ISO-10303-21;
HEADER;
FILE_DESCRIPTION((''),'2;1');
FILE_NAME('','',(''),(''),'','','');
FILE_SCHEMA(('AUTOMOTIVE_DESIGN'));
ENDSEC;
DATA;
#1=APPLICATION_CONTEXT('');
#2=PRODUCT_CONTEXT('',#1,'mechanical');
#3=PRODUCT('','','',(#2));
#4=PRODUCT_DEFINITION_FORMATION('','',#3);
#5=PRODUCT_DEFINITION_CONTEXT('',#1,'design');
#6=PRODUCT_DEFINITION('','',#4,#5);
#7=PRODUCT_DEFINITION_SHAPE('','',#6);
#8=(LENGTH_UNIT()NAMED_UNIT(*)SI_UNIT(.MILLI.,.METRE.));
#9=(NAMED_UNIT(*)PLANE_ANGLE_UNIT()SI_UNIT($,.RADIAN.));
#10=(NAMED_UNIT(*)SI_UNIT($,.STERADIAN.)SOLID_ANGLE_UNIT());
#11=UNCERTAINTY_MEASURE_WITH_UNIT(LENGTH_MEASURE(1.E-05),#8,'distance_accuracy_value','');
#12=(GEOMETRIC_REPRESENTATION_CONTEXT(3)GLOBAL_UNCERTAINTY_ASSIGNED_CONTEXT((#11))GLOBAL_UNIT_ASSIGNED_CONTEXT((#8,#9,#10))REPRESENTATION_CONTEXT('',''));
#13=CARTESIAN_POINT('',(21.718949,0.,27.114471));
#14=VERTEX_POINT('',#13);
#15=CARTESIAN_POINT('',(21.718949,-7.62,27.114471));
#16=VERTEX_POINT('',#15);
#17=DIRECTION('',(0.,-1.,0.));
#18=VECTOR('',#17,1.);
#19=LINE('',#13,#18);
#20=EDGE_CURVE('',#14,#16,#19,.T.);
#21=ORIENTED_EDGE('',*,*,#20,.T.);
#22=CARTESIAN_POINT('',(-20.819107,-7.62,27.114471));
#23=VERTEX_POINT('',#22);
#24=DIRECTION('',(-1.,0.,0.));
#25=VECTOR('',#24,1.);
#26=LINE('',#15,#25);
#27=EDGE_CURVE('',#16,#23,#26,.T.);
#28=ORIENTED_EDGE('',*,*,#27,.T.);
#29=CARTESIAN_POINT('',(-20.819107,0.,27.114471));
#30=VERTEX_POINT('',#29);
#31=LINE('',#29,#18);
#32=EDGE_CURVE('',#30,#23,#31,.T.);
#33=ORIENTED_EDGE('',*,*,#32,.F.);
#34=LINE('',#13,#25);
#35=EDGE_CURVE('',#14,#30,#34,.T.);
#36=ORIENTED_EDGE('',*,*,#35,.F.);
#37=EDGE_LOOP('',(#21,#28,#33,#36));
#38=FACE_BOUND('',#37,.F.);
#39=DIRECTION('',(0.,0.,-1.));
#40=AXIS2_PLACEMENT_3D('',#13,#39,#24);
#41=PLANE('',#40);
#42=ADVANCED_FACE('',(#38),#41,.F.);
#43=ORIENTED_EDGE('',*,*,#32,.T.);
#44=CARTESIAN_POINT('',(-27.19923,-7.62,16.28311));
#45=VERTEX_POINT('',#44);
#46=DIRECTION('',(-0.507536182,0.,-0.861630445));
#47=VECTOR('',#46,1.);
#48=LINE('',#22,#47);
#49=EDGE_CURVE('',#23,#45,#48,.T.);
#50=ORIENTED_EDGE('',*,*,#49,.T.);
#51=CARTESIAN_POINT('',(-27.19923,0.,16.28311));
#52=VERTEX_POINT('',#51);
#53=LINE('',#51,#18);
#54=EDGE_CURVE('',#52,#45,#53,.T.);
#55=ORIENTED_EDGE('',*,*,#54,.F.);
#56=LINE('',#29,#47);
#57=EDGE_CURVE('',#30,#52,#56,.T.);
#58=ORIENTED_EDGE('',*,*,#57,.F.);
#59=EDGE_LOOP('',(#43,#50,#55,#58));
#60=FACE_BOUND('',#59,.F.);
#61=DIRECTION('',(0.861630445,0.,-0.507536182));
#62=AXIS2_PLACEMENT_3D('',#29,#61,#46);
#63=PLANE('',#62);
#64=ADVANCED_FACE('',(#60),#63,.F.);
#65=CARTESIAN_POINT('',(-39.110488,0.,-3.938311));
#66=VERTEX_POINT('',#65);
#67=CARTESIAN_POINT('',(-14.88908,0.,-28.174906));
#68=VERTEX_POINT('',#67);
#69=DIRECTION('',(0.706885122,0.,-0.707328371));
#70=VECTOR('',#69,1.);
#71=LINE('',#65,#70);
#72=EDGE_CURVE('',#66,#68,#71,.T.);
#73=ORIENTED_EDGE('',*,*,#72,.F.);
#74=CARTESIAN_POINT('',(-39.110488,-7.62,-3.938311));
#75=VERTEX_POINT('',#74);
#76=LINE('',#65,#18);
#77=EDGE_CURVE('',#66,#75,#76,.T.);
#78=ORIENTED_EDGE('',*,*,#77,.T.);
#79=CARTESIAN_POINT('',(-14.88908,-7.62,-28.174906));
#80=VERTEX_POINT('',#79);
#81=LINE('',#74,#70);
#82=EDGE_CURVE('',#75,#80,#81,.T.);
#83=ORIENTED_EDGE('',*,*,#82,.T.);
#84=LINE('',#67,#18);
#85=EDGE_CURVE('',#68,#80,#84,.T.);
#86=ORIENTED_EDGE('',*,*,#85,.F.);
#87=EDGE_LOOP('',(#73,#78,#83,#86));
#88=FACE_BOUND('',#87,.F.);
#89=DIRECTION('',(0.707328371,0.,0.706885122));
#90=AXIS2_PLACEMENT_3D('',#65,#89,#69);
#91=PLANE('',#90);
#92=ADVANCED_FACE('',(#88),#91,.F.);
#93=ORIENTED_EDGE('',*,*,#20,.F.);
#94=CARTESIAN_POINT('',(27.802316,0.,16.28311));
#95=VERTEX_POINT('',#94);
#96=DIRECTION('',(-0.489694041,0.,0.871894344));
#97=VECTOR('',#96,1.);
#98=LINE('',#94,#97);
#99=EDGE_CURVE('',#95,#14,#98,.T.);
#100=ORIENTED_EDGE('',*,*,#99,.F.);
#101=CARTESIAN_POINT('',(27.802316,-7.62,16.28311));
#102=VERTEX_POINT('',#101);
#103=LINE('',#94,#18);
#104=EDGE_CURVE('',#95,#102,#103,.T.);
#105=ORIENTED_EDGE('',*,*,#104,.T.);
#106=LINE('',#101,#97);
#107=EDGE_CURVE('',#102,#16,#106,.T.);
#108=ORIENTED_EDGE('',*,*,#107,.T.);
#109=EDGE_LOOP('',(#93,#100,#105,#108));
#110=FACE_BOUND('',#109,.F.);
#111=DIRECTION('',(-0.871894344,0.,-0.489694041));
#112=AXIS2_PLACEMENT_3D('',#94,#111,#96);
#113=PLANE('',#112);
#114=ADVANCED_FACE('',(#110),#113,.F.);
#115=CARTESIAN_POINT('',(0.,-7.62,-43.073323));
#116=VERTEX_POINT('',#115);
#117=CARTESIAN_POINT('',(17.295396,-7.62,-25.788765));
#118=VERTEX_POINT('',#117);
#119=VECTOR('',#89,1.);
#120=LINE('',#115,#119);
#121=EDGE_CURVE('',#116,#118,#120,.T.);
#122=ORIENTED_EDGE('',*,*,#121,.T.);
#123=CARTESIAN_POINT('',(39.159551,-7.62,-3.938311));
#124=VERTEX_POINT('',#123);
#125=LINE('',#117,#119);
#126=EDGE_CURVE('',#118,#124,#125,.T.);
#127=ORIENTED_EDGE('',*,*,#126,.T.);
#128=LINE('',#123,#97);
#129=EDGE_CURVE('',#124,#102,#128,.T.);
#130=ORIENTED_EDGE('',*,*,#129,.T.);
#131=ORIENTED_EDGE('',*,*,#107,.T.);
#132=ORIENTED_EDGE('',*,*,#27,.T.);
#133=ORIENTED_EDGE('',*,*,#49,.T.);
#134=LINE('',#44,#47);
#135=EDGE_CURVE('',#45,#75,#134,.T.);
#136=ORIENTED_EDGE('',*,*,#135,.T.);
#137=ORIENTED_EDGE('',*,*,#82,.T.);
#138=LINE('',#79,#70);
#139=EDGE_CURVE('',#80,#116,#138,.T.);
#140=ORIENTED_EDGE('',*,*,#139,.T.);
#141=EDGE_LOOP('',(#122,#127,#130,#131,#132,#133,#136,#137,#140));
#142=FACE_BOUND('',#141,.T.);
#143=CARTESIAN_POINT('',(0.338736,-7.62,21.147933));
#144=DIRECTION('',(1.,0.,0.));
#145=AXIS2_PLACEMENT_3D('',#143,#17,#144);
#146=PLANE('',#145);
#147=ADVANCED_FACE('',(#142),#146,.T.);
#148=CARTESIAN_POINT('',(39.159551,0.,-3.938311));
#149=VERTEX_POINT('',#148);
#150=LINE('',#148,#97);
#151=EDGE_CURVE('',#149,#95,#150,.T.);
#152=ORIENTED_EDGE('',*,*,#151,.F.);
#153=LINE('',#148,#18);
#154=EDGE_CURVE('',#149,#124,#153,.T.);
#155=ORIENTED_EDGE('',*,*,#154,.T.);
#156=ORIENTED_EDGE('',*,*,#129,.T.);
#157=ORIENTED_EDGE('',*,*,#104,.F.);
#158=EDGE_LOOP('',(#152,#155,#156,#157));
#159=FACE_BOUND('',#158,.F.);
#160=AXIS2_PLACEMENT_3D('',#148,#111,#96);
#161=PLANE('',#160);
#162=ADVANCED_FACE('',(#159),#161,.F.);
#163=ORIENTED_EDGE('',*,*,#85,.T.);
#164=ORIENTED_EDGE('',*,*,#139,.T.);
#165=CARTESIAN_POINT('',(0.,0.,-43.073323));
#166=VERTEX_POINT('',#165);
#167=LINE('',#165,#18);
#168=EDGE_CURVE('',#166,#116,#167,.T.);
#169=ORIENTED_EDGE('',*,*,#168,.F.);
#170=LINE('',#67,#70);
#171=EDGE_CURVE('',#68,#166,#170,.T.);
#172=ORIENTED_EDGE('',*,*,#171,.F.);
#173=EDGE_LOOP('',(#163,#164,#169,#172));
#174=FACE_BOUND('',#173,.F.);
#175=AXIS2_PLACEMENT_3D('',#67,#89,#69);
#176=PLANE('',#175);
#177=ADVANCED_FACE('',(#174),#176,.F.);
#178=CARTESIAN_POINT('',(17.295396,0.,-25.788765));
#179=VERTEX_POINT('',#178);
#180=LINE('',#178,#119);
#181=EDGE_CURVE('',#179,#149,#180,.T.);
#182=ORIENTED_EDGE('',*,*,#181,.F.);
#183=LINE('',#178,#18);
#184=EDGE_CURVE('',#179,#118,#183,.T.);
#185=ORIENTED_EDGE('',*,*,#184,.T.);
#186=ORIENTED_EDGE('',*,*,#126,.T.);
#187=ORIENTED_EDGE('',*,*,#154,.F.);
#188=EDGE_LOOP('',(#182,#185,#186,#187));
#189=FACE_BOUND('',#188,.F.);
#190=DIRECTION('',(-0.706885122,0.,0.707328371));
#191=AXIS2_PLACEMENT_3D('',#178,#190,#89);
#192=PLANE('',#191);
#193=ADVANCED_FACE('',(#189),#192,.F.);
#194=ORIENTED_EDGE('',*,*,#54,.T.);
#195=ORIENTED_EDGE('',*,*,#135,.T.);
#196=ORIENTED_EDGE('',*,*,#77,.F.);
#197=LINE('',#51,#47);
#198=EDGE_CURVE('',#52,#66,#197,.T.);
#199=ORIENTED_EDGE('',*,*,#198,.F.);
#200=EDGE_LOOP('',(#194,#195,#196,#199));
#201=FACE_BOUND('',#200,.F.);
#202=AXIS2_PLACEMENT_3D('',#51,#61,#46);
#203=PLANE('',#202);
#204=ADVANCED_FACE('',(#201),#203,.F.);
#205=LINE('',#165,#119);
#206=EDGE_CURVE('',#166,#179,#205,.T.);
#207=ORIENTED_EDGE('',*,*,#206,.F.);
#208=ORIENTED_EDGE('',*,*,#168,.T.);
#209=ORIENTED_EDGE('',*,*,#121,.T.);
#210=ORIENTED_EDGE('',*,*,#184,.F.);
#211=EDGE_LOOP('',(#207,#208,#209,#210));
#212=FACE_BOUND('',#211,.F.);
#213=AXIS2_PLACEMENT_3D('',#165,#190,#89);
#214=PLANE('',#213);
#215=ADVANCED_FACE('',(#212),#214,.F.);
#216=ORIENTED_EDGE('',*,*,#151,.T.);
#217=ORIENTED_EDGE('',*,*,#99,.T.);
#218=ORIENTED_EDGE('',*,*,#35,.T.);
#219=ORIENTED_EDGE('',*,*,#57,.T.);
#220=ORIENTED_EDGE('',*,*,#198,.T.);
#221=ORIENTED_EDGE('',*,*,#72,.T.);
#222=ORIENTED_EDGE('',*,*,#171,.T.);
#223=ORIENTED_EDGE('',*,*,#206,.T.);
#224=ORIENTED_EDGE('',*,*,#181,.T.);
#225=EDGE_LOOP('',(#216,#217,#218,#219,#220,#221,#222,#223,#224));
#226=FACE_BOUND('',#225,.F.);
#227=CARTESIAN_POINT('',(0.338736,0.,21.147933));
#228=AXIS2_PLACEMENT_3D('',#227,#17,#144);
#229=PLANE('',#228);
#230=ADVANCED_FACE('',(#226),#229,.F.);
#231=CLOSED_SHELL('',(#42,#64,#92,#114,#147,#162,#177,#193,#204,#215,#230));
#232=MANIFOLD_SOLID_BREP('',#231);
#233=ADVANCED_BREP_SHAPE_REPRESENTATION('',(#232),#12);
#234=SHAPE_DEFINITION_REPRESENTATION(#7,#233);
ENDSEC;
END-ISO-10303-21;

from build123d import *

# Parameters (mm, degrees)
F0_W     = 17.2953959554
F0_H     = 20.221420344
F0_W_2   = 14.8890800774
F1_DEPTH = 7.62


with BuildPart() as f1:
    # F0 (on Front) → F1 (new body)
    with BuildSketch(Plane.XZ):
        Polygon((21.7189490795, 27.1144714206), (-20.8191070706, 27.1144714206), (-27.1992298657, 16.2831095644), (-14.8890800774, 16.2831095644), (0, 16.2831095644), (17.2953959554, 16.2831095644), (27.8023161679, 16.2831095644), align=None)
        Polygon((-14.8890800774, 16.2831095644), (-27.1992298657, 16.2831095644), (-39.1104878035, -3.9383107796), (-14.8890800774, -3.9383107796), align=None)
        Polygon((39.1595512629, -3.9383107796), (27.8023161679, 16.2831095644), (17.2953959554, 16.2831095644), (17.2953959554, -3.9383107796), align=None)
        Polygon((-14.8890800774, -3.9383107796), (-39.1104878035, -3.9383107796), (-14.8890800774, -28.1749064214), align=None)
        Polygon((17.2953959554, -25.7887648663), (39.1595512629, -3.9383107796), (17.2953959554, -3.9383107796), align=None)
        Polygon((-14.8890800774, -3.9383107796), (-14.8890800774, -28.1749064214), (0, -43.073322624), (0, -3.9383107796), align=None)
        Polygon((0, -43.073322624), (17.2953959554, -25.7887648663), (17.2953959554, -3.9383107796), (0, -3.9383107796), align=None)
        with Locations((8.6476979777, 6.1723993924)):
            Rectangle(F0_W, F0_H)
        with Locations((-7.4445400387, 6.1723993924)):
            Rectangle(F0_W_2, F0_H)
    extrude(amount=F1_DEPTH)


solid = f1.part
